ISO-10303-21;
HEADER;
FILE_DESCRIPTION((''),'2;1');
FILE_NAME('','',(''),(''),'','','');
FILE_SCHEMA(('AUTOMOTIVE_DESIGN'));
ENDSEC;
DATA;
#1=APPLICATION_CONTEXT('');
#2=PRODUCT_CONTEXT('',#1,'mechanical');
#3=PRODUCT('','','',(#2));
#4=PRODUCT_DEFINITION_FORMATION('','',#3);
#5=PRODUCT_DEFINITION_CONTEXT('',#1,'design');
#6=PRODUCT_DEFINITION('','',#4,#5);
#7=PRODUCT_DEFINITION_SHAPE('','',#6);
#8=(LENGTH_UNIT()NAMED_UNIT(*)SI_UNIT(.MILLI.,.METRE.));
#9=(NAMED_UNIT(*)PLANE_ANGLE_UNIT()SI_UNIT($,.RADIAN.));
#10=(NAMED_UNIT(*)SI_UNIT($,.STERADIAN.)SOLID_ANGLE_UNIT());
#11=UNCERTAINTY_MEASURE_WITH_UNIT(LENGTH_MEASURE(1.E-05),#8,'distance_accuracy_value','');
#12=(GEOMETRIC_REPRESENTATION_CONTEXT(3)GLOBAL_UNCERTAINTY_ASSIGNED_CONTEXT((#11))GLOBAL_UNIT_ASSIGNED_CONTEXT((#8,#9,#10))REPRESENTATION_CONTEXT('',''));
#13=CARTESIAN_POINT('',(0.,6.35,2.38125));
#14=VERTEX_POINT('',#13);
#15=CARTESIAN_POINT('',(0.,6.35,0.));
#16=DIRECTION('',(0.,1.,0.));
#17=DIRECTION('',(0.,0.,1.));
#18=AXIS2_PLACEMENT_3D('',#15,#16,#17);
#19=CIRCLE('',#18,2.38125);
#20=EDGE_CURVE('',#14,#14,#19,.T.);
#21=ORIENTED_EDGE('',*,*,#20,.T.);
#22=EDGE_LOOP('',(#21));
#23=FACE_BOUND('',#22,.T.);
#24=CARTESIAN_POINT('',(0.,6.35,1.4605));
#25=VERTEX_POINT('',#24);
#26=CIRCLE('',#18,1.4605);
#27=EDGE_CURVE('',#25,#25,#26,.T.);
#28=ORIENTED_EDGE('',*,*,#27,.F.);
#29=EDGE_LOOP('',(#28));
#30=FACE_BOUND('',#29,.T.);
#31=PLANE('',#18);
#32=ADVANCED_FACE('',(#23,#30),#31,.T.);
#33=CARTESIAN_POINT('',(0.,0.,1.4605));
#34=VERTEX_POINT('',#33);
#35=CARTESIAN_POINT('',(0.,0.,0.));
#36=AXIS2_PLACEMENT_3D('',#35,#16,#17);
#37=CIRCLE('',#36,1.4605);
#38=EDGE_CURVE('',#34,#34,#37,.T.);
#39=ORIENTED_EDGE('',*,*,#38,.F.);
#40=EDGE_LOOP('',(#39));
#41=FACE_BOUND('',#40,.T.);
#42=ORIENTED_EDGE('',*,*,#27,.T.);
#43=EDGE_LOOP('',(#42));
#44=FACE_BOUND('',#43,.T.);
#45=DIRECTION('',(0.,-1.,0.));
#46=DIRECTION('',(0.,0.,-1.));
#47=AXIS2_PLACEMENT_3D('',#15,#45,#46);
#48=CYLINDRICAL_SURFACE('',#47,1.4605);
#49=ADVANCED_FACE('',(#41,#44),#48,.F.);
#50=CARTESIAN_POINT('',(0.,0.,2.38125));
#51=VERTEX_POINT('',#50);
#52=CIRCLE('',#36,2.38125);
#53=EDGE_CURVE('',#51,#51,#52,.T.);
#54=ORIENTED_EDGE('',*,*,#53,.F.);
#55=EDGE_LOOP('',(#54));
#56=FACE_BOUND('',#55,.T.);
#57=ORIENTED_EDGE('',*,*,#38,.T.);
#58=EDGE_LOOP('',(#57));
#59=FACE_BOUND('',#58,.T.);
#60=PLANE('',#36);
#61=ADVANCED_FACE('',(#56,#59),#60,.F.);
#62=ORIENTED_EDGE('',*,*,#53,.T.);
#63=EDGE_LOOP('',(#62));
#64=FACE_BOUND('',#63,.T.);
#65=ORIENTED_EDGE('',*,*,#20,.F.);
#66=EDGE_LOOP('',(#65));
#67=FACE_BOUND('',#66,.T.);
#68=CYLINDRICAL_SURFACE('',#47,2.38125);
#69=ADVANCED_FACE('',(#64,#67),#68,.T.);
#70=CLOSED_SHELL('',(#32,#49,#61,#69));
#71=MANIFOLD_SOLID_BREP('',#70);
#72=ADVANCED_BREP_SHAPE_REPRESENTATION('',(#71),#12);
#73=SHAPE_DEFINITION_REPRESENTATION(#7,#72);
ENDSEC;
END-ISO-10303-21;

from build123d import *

# Parameters (mm, degrees)
SKETCH1_R           = 2.38125
SKETCH1_R_2         = 1.4605
BOSS_EXTRUDE1_DEPTH = 6.35


with BuildPart() as part:
    # Sketch1 → Boss-Extrude1 (new body)
    with BuildSketch(Plane(origin=(0, 0, 0), x_dir=(1, 0, 0), z_dir=(0, 1, 0))):
        Circle(SKETCH1_R)
        Circle(SKETCH1_R_2, mode=Mode.SUBTRACT)
    extrude(amount=BOSS_EXTRUDE1_DEPTH)


solid = part.part
